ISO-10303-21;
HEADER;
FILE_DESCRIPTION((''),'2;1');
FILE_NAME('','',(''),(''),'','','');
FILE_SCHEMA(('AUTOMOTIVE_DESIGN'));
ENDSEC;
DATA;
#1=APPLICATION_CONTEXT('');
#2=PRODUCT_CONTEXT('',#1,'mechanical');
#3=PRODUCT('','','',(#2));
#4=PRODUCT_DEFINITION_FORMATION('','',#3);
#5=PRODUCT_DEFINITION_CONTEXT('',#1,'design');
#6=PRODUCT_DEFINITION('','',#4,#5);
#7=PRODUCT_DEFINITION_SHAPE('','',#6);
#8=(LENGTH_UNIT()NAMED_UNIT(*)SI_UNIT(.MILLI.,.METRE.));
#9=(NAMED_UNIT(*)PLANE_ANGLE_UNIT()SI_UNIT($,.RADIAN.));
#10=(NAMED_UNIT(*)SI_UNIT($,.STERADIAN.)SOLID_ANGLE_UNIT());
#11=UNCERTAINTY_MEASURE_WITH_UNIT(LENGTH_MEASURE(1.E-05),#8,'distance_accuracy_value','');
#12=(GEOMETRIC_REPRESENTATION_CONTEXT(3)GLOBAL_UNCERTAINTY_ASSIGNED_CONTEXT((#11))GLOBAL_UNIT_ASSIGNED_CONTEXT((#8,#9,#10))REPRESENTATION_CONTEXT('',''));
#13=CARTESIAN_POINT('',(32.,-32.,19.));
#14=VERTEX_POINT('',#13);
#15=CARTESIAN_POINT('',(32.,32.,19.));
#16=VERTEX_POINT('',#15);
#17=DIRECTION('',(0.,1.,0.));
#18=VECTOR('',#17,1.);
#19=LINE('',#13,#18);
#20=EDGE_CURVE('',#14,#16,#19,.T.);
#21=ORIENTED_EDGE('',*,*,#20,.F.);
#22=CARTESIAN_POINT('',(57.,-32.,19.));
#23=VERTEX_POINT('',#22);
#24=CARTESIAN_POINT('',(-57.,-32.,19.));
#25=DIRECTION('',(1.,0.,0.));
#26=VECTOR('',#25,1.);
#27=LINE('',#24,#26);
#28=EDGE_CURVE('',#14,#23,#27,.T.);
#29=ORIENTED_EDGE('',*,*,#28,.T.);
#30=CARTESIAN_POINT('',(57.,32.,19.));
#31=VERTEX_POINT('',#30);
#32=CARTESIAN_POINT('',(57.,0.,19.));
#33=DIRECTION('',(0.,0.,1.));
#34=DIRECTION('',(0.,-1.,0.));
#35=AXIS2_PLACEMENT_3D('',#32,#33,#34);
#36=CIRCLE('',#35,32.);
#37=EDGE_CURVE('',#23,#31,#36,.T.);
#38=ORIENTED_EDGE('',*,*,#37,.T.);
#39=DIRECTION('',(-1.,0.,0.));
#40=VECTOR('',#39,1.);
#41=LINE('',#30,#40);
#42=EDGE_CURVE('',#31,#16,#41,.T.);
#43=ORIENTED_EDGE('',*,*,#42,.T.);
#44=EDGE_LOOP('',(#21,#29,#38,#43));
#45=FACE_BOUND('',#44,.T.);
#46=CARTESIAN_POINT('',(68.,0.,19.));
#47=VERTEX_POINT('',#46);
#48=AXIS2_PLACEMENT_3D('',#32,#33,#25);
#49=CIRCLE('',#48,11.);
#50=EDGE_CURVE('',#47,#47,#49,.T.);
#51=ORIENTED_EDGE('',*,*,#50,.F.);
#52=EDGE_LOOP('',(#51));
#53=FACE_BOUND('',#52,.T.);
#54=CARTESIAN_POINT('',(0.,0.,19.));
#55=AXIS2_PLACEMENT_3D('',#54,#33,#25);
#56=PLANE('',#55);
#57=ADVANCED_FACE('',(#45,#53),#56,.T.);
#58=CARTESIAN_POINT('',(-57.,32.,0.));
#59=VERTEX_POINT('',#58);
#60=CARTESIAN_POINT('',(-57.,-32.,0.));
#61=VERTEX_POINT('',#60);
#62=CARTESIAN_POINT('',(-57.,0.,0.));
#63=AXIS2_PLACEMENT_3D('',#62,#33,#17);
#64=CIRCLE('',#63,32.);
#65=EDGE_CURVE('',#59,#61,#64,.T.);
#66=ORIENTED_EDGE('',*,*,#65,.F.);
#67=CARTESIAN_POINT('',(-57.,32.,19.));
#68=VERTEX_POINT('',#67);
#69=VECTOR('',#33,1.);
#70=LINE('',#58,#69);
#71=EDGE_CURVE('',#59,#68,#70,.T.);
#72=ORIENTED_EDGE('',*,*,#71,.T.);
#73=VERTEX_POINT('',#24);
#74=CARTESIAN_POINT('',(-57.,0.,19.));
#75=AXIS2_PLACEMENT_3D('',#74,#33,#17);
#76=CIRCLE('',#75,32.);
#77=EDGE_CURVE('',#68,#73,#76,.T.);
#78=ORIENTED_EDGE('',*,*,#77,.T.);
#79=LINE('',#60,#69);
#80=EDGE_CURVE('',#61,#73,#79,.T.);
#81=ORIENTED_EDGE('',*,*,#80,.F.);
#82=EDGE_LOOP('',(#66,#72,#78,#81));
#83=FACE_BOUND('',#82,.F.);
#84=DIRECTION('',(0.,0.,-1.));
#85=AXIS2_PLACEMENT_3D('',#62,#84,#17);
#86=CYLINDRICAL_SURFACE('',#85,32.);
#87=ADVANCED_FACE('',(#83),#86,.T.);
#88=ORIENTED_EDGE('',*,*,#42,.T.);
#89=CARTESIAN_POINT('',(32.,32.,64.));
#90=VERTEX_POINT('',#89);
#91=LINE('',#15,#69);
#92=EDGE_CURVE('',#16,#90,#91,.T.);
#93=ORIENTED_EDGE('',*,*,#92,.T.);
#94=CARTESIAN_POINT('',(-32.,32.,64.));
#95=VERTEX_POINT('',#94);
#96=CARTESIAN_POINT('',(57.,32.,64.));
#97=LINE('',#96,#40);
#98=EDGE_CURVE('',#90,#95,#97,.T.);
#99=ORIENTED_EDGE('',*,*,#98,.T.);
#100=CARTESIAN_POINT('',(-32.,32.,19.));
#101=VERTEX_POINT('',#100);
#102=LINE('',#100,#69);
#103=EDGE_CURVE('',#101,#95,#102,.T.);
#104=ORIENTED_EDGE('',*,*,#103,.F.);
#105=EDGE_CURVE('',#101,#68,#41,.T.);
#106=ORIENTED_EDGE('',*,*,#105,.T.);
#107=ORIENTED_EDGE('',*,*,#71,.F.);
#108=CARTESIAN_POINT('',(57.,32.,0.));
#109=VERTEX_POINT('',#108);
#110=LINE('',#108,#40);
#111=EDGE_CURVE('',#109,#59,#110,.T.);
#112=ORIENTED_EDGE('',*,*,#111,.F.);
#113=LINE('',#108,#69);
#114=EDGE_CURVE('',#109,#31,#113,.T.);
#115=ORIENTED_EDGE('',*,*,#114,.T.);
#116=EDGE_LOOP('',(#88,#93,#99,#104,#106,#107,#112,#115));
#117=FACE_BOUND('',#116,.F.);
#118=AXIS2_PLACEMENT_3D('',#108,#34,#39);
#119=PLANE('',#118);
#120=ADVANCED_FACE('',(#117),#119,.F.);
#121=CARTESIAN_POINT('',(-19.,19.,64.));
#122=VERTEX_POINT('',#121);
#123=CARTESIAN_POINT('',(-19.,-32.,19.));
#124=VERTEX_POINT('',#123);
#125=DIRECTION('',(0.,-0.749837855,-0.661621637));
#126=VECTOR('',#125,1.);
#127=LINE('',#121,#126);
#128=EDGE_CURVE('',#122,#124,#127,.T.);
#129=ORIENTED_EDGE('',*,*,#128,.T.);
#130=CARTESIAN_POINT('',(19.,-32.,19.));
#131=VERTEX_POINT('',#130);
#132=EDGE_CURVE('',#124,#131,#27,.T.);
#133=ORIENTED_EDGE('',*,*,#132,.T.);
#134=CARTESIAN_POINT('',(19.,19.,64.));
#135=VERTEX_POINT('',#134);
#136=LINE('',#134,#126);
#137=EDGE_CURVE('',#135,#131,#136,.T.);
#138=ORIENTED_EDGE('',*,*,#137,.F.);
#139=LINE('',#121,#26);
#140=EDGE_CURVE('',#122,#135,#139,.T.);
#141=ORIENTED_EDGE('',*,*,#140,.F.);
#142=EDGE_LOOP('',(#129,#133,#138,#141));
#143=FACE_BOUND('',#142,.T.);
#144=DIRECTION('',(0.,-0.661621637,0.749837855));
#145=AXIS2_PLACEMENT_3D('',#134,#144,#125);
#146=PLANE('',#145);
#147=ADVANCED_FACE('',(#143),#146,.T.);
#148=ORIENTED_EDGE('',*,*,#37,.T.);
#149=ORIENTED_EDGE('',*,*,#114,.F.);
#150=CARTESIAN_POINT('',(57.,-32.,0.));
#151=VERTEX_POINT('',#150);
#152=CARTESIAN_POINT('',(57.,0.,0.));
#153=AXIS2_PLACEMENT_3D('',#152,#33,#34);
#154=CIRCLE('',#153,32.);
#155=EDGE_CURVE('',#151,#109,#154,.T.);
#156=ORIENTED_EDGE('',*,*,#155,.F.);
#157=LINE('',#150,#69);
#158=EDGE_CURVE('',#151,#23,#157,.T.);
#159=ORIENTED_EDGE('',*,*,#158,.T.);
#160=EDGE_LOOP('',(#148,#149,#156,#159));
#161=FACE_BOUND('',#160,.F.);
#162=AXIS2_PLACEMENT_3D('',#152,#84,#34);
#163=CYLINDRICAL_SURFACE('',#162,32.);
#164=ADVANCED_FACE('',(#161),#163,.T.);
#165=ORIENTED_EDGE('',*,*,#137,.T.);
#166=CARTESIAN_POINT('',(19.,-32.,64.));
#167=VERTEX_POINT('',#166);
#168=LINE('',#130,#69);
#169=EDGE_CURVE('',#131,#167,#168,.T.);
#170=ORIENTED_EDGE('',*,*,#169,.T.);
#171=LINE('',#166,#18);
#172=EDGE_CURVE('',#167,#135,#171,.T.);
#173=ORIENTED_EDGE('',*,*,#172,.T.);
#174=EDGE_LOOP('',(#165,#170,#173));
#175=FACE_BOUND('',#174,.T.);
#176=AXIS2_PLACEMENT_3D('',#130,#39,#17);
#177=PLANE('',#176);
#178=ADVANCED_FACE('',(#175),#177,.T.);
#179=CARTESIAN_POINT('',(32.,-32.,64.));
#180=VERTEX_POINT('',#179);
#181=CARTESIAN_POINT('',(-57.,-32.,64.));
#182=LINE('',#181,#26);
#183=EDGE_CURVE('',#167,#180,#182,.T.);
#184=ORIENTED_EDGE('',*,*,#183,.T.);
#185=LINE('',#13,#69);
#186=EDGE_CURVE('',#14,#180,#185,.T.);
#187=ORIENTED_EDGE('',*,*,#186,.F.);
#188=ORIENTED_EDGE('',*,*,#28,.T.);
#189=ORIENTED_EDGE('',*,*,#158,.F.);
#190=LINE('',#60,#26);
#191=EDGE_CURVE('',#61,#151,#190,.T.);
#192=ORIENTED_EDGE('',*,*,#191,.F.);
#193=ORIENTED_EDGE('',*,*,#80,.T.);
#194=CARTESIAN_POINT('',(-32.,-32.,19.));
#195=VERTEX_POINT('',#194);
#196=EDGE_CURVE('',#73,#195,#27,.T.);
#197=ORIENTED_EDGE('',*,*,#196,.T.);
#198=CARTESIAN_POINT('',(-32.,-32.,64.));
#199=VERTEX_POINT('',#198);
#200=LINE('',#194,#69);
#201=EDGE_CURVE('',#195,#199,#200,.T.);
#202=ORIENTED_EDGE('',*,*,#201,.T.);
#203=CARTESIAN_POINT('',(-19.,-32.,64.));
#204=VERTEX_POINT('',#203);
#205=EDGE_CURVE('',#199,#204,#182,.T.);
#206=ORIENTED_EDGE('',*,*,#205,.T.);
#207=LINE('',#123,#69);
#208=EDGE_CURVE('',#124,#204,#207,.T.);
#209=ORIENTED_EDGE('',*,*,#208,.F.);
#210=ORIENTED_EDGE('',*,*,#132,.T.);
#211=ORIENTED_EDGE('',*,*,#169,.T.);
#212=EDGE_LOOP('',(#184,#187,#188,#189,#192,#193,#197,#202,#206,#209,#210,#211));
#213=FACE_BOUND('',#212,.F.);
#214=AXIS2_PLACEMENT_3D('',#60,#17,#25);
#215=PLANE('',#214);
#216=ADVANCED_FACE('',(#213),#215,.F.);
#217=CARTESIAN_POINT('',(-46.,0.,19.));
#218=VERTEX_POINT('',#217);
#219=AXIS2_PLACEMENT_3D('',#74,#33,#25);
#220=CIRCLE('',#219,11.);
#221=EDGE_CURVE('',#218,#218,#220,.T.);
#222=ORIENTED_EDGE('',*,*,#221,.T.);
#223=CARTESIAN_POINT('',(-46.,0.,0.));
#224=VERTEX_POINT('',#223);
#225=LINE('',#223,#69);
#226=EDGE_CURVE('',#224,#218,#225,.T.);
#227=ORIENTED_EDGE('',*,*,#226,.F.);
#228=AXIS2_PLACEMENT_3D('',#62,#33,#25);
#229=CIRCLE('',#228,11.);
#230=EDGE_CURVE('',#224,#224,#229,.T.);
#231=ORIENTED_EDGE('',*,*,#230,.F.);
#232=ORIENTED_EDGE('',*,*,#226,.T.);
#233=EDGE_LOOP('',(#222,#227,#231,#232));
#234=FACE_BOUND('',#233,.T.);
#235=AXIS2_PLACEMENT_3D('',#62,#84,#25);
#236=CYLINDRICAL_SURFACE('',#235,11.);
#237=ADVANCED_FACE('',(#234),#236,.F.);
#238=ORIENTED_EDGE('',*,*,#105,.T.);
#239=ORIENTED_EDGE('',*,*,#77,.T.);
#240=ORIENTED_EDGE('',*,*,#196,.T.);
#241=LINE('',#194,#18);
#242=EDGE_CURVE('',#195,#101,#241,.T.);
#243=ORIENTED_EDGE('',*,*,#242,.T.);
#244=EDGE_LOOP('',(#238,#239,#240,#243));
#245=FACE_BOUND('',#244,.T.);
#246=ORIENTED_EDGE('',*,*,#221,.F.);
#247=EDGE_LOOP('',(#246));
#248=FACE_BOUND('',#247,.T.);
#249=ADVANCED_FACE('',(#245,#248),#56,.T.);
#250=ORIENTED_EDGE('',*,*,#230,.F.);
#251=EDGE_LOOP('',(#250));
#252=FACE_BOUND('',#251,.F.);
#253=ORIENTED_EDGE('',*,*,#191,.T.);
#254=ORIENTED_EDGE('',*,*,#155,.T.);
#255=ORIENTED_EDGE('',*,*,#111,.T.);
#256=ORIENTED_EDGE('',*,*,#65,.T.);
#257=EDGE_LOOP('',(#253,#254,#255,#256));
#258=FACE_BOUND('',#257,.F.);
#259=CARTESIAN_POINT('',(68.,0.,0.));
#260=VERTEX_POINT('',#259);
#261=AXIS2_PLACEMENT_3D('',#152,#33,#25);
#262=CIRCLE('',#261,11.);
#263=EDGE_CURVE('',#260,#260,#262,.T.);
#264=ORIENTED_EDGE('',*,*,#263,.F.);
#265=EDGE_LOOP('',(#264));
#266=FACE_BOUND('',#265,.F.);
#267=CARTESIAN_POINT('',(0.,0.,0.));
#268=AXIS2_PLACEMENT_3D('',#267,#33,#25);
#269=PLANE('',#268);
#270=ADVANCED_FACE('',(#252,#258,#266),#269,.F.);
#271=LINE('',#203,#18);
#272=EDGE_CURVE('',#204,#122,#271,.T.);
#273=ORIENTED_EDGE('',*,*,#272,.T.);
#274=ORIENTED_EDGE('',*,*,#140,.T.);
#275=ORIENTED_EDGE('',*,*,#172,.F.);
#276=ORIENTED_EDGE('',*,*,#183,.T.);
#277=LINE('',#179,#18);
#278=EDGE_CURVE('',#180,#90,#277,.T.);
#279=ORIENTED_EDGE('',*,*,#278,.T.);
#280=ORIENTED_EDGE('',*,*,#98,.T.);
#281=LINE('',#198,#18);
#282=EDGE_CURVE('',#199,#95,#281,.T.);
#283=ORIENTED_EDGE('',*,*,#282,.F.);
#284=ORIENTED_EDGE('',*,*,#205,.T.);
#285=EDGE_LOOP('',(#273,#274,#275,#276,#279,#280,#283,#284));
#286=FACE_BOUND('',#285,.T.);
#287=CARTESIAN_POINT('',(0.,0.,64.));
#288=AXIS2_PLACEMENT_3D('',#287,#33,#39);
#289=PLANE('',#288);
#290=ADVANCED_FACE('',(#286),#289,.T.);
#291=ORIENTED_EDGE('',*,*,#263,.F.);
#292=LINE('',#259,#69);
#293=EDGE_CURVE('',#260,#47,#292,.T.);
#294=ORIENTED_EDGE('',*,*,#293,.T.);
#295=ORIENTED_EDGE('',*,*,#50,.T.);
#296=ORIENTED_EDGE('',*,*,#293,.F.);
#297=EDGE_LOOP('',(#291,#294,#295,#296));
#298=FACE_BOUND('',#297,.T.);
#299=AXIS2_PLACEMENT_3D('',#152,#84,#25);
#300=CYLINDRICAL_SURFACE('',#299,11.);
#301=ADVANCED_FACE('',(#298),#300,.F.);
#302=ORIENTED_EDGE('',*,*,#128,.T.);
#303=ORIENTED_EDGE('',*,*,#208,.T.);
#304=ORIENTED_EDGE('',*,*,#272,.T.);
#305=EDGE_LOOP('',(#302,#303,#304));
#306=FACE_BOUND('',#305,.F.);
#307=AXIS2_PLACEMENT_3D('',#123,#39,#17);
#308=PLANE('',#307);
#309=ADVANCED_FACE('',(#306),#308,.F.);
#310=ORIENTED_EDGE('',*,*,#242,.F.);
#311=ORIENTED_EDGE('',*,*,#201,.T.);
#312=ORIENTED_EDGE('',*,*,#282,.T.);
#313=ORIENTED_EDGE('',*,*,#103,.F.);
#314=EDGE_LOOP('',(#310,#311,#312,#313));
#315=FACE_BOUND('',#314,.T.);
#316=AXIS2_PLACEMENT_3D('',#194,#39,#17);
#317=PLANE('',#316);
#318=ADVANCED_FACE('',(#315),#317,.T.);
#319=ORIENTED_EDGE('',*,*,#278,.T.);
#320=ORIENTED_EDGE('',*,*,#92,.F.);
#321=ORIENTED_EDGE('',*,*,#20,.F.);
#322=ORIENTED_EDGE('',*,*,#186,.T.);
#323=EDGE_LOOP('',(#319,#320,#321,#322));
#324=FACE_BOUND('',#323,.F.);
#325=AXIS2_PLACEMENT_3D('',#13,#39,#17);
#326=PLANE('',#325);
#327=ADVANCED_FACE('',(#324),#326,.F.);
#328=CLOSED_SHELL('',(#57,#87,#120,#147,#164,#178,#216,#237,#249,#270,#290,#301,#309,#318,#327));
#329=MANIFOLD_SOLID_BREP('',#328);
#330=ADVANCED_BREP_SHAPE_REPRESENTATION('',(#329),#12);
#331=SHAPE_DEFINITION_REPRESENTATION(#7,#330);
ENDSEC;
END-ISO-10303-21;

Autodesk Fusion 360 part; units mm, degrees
sketch "Sketch1" plane through (0, 0, 0) normal (0, 0, 1) x (1, 0, 0)
  line L0 (57, 32) -> (-57, 32)
  line L1 (-57, -32) -> (57, -32)
  circle A0 centre (57, 0) radius 11
  circle A1 centre (-57, 0) radius 11
  arc A2 (-57, 32) -> (-57, -32) centre (-57, 0) ccw
  arc A3 (57, -32) -> (57, 32) centre (57, 0) ccw
extrude "Extrude1" add sketch "Sketch1" along normal blind 19
sketch "Sketch2" plane through (0, 0, 19) normal (0, 0, 1) x (-1, 0, 0)
  circle A0 centre (-57, 0) radius 11
  circle A1 centre (57, 0) radius 11
  arc A2 (-57, 32) -> (-57, -32) centre (-57, 0) ccw
  line L0 (-57, -32) -> (57, -32)
  arc A3 (57, -32) -> (57, 32) centre (57, 0) ccw
  line L1 (57, 32) -> (-57, 32)
  line L2 (32, 32) -> (32, -32)
  line L3 (-32, 32) -> (-32, -32)
  line L4 (32, -32) -> (-32, -32)
  line L5 (19, 32) -> (19, -19)
  line L6 (-19, 32) -> (-19, -19)
  line L7 (19, -19) -> (-19, -19)
  line L8 (32, 32) -> (19, 32)
  line L9 (-19, 32) -> (-32, 32)
extrude "Extrude2" add sketch "Sketch2" along normal blind 45 contours L0 L1 L2 L3 L4 L5 L6 L7 L8 L9
sketch "Sketch3" plane through (19, 0, 0) normal (-1, 0, 0) x (0, -1, 0)
  line L0 (-19, 19) -> (32, 19)
  line L1 (32, 19) -> (32, 64)
  line L2 (32, 64) -> (-19, 64)
  line L3 (-19, 64) -> (-19, 19)
  line L4 (-19, 64) -> (32, 19)
  line L5 (-19, 64) -> (-19, 19)
extrude "Extrude3" add sketch "Sketch3" along normal blind 38 contours L0 L3 L4 L5
